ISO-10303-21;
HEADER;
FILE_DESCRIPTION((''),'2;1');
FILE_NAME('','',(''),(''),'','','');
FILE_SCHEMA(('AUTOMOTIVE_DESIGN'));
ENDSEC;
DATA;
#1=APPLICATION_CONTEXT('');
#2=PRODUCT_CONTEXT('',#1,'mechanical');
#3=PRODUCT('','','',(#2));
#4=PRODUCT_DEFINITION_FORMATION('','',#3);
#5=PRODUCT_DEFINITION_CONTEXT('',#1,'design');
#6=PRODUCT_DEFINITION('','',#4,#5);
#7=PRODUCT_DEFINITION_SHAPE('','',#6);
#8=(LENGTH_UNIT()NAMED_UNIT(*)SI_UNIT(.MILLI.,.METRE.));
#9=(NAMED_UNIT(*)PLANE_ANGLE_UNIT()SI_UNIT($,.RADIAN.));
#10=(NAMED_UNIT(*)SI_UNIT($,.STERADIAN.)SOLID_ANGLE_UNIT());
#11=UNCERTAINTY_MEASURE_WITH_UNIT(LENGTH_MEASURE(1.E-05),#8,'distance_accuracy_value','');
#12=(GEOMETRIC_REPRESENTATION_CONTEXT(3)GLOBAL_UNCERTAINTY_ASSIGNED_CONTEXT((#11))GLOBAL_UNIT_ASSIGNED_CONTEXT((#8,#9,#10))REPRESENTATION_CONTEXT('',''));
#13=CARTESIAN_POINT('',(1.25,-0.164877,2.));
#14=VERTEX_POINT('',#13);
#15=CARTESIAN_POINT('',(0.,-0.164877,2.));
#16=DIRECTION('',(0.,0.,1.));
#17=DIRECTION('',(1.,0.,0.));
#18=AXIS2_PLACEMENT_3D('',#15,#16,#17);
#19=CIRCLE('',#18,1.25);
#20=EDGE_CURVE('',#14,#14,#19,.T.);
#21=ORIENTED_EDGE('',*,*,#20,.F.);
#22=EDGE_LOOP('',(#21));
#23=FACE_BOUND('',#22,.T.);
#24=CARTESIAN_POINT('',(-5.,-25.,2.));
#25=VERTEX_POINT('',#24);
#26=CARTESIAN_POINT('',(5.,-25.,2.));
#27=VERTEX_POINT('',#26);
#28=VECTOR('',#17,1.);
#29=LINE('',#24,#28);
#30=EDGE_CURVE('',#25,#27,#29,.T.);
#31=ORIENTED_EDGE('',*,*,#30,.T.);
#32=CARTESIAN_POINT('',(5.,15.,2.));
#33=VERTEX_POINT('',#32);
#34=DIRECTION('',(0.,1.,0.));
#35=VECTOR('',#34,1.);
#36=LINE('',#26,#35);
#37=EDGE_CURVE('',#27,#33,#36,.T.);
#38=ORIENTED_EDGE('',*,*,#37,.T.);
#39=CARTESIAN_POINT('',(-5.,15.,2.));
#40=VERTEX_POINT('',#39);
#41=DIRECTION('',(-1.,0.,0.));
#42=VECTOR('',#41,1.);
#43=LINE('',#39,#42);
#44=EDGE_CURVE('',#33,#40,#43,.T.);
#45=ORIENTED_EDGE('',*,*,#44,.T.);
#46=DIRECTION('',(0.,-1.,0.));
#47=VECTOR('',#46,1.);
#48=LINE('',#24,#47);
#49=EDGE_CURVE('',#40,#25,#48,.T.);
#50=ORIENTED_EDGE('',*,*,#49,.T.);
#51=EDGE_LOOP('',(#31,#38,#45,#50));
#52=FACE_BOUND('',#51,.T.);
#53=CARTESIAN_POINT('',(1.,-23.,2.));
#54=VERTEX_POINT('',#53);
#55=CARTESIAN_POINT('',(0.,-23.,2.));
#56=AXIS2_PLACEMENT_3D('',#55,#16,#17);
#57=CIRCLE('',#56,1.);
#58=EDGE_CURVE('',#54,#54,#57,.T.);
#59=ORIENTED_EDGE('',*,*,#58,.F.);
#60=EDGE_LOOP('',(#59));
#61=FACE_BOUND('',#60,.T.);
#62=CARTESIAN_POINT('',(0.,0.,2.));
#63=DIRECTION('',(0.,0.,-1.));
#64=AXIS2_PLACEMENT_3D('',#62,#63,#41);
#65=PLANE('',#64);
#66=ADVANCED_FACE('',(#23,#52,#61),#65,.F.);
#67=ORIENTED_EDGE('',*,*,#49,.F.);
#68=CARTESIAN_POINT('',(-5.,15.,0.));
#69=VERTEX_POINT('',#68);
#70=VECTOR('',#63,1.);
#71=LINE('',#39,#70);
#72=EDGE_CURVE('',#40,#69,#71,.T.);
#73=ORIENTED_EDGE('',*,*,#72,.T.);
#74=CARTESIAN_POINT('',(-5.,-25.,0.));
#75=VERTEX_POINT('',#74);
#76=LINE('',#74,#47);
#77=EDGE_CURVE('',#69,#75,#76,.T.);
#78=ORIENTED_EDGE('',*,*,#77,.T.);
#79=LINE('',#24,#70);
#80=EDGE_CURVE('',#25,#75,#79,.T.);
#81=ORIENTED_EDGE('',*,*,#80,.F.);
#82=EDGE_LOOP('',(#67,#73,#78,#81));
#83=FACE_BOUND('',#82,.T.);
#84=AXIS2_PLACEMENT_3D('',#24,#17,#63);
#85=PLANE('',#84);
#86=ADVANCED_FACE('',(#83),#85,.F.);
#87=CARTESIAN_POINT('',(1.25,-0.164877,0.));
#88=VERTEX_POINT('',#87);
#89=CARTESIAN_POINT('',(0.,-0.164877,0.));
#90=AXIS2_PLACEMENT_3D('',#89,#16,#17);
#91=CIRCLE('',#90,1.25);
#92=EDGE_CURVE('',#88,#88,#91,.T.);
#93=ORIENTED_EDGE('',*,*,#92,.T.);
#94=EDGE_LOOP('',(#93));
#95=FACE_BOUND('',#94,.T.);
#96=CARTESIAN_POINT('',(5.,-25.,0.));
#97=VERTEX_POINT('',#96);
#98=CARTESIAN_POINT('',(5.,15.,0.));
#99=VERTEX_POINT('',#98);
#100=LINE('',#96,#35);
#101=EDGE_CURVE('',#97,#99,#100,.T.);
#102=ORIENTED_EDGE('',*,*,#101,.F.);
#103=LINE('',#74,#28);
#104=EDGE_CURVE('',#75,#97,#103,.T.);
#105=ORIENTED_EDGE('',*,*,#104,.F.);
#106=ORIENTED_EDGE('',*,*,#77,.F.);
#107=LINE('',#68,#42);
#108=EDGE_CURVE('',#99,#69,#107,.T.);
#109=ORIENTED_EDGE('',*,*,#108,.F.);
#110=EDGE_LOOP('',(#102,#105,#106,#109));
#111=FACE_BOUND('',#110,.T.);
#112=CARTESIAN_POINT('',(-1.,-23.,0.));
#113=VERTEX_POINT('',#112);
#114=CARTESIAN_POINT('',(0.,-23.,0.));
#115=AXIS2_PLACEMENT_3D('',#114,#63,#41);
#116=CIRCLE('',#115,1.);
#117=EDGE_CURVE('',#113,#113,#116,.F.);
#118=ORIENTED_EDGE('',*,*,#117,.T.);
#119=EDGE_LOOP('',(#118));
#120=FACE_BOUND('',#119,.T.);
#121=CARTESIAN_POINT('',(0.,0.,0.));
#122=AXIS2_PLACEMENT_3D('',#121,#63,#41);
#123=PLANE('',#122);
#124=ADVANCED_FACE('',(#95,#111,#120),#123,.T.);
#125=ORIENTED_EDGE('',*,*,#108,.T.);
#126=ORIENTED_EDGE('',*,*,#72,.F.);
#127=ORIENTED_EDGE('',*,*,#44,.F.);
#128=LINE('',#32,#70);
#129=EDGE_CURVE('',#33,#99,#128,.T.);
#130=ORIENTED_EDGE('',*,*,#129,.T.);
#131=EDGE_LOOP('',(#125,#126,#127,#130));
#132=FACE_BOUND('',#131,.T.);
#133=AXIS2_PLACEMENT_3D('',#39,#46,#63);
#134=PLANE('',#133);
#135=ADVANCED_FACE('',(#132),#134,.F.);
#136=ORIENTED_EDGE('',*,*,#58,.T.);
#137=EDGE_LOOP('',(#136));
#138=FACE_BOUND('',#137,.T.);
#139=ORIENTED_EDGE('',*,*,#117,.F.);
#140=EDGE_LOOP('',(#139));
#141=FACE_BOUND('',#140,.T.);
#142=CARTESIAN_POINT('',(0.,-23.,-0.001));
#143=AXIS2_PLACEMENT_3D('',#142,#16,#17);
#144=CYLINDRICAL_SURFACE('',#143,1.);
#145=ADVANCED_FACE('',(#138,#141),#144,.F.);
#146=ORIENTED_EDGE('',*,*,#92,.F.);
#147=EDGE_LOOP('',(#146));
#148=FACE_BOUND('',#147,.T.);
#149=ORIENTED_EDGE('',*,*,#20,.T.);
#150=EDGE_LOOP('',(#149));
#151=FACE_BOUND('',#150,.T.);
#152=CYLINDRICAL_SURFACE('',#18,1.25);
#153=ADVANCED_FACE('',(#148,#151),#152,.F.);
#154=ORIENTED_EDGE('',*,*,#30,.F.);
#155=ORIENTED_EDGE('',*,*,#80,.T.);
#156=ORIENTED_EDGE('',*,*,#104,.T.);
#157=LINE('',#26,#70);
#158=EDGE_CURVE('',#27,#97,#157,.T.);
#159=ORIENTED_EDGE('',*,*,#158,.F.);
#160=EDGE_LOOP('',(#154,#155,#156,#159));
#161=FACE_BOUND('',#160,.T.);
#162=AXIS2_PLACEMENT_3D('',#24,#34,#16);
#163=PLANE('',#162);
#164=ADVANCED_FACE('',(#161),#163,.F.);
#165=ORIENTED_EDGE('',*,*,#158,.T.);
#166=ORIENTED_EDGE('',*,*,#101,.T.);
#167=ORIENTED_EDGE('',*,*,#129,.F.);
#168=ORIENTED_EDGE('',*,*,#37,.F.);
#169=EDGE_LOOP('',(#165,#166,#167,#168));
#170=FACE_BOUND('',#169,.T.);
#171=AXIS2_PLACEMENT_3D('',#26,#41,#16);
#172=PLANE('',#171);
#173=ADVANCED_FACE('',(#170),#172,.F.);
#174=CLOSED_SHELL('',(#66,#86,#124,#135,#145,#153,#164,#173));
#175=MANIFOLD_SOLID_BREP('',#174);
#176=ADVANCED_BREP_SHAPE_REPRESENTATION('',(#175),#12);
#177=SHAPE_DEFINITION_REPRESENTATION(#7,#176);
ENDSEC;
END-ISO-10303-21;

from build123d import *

# Parameters (mm, degrees)
SKETCH1_W             = 10
SKETCH1_H             = 40
BOSS_EXTRUDE1_DEPTH   = 2
M3X0_5_TAPPED_HOLE1_D = 2.5
CUT_EXTRUDE1_REACH    = 27.573
SKETCH6_R             = 1


with BuildPart() as part:
    # Sketch1 → Boss-Extrude1 (new body)
    with BuildSketch(Plane.XY):
        with Locations((0, -5)):
            Rectangle(SKETCH1_W, SKETCH1_H)
    extrude(amount=BOSS_EXTRUDE1_DEPTH)

    # M3x0.5 Tapped Hole1 (through all)
    with Locations(Plane.XY.offset(2)):
        with Locations((0, -0.164876805)):
            Hole(M3X0_5_TAPPED_HOLE1_D / 2)

    # Sketch6 → Cut-Extrude1 (cut, up to next)
    with BuildSketch(Plane.XY.offset(2), mode=Mode.PRIVATE) as cut_extrude1_sk1:
        with Locations((0, -23)):
            Circle(SKETCH6_R)
    cut_extrude1_tool1 = extrude(cut_extrude1_sk1.sketch, amount=-CUT_EXTRUDE1_REACH, mode=Mode.PRIVATE) & part.part
    add(cut_extrude1_tool1.solids().sort_by_distance((0, -23, 2))[0], mode=Mode.SUBTRACT)


solid = part.part
